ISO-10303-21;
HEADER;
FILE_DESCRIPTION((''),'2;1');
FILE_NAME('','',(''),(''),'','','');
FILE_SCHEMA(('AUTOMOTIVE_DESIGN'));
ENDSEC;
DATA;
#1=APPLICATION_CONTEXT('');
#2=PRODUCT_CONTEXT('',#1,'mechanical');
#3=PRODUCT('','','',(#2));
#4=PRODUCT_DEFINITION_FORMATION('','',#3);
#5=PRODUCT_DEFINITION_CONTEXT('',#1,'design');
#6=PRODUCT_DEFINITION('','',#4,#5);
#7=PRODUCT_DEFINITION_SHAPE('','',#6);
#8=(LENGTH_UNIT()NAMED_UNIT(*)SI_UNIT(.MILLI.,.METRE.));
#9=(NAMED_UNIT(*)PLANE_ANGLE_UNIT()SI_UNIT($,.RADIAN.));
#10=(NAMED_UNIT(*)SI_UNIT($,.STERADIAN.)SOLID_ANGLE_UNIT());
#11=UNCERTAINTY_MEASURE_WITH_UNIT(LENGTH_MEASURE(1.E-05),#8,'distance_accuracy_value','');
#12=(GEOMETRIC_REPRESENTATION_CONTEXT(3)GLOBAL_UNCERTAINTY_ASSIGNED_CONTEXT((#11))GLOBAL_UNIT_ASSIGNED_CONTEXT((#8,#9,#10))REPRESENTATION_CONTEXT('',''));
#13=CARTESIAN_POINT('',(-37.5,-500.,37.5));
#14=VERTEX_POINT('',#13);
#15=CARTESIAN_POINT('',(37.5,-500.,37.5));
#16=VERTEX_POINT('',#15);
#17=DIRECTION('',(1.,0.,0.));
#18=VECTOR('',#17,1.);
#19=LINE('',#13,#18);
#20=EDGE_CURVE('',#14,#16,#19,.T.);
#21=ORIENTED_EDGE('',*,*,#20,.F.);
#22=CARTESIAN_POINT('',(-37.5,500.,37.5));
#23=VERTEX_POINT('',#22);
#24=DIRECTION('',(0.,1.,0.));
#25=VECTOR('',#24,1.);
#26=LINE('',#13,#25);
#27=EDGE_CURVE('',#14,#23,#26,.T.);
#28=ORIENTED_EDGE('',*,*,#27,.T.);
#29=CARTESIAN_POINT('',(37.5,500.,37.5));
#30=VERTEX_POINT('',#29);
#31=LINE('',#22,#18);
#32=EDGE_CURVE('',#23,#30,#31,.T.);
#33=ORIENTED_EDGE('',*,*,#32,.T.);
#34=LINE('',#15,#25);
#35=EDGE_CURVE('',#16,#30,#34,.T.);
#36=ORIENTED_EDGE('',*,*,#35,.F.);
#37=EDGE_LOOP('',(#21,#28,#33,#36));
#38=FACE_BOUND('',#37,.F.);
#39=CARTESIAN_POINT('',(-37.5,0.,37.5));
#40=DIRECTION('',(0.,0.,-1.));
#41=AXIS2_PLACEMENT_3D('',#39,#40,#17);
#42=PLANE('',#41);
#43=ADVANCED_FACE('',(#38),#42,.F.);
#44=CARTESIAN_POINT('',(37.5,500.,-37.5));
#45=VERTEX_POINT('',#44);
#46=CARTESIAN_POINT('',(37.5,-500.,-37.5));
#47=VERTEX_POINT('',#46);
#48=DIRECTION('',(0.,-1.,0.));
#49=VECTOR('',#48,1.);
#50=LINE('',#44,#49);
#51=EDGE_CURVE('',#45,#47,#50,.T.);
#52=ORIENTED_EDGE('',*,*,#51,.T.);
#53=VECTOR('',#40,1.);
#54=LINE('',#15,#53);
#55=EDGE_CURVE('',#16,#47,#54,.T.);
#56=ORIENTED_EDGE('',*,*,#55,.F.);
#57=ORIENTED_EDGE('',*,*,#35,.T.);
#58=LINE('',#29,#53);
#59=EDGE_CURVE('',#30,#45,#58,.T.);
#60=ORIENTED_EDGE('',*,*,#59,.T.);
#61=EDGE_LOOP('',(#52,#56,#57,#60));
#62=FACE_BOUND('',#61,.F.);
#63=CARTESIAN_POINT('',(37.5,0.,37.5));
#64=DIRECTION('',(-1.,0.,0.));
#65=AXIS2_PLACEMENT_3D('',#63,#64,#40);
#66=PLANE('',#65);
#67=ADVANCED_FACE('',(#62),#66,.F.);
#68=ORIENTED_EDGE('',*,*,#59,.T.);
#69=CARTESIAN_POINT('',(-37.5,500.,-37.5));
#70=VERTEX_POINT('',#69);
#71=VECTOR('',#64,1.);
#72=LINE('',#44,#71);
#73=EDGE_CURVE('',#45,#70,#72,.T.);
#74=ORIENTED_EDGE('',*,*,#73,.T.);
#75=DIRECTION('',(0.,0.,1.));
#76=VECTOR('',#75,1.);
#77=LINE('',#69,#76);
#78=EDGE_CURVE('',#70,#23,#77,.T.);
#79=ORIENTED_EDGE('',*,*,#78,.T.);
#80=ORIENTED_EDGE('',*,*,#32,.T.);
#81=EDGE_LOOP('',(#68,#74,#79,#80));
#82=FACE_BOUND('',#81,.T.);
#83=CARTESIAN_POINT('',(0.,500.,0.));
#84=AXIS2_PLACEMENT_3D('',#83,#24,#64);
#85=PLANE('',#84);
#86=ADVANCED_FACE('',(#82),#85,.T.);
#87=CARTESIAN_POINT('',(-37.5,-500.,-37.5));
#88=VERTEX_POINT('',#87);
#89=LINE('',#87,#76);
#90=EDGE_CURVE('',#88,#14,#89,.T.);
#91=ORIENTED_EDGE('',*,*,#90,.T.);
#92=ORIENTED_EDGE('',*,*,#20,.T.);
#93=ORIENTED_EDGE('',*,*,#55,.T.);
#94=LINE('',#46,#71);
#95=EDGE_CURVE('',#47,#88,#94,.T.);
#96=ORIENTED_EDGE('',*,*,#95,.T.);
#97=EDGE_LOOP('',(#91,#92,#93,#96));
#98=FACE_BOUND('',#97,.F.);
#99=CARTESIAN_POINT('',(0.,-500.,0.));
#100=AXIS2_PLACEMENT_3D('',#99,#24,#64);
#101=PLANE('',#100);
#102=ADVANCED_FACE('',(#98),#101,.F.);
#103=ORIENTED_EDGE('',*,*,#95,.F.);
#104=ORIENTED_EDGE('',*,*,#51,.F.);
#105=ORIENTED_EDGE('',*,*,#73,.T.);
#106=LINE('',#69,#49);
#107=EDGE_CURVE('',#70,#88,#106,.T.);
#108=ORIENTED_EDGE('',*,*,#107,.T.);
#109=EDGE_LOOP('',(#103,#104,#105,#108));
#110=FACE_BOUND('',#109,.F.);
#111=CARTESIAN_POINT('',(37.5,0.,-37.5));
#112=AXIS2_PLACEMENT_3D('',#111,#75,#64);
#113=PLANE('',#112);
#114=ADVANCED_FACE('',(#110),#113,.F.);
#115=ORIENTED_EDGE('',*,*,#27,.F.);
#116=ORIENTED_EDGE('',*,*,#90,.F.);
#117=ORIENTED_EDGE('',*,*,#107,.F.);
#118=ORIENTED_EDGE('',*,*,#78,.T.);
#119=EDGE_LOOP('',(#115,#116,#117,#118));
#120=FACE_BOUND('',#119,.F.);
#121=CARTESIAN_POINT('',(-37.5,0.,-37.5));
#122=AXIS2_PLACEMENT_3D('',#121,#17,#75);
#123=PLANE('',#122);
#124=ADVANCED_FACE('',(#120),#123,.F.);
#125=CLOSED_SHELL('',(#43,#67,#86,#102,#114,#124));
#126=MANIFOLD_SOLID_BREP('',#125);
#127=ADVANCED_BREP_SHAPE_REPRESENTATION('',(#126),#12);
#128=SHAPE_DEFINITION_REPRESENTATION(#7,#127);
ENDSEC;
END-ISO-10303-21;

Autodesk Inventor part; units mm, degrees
ref_plane "YZ Plane" through (0, 0, 0) normal (1, 0, 0) x (0, 1, 0)
ref_plane "XZ Plane" through (0, 0, 0) normal (0, 1, 0) x (-1, 0, 0)
ref_plane "XY Plane" through (0, 0, 0) normal (0, 0, 1) x (1, 0, 0)
sketch "Boceto1" plane through (0, 0, 0) normal (0, 1, 0) x (-1, 0, 0)
  line L0 (37.5, 37.5) -> (-37.5, 37.5)
  line L1 (-37.5, 37.5) -> (-37.5, -37.5)
  line L2 (-37.5, -37.5) -> (37.5, -37.5)
  line L3 (37.5, -37.5) -> (37.5, 37.5)
  line L4 (37.5, 37.5) -> (-37.5, -37.5) construction
  line L5 (-37.5, 37.5) -> (37.5, -37.5) construction
  point P0 (0, 0)
  dimension "d0" = 75
  dimension "d1" = 75
extrude "Extrusión1" add sketch "Boceto1" along normal mid plane 1000
properties part number "Soporte" material "Madera (arce)"
